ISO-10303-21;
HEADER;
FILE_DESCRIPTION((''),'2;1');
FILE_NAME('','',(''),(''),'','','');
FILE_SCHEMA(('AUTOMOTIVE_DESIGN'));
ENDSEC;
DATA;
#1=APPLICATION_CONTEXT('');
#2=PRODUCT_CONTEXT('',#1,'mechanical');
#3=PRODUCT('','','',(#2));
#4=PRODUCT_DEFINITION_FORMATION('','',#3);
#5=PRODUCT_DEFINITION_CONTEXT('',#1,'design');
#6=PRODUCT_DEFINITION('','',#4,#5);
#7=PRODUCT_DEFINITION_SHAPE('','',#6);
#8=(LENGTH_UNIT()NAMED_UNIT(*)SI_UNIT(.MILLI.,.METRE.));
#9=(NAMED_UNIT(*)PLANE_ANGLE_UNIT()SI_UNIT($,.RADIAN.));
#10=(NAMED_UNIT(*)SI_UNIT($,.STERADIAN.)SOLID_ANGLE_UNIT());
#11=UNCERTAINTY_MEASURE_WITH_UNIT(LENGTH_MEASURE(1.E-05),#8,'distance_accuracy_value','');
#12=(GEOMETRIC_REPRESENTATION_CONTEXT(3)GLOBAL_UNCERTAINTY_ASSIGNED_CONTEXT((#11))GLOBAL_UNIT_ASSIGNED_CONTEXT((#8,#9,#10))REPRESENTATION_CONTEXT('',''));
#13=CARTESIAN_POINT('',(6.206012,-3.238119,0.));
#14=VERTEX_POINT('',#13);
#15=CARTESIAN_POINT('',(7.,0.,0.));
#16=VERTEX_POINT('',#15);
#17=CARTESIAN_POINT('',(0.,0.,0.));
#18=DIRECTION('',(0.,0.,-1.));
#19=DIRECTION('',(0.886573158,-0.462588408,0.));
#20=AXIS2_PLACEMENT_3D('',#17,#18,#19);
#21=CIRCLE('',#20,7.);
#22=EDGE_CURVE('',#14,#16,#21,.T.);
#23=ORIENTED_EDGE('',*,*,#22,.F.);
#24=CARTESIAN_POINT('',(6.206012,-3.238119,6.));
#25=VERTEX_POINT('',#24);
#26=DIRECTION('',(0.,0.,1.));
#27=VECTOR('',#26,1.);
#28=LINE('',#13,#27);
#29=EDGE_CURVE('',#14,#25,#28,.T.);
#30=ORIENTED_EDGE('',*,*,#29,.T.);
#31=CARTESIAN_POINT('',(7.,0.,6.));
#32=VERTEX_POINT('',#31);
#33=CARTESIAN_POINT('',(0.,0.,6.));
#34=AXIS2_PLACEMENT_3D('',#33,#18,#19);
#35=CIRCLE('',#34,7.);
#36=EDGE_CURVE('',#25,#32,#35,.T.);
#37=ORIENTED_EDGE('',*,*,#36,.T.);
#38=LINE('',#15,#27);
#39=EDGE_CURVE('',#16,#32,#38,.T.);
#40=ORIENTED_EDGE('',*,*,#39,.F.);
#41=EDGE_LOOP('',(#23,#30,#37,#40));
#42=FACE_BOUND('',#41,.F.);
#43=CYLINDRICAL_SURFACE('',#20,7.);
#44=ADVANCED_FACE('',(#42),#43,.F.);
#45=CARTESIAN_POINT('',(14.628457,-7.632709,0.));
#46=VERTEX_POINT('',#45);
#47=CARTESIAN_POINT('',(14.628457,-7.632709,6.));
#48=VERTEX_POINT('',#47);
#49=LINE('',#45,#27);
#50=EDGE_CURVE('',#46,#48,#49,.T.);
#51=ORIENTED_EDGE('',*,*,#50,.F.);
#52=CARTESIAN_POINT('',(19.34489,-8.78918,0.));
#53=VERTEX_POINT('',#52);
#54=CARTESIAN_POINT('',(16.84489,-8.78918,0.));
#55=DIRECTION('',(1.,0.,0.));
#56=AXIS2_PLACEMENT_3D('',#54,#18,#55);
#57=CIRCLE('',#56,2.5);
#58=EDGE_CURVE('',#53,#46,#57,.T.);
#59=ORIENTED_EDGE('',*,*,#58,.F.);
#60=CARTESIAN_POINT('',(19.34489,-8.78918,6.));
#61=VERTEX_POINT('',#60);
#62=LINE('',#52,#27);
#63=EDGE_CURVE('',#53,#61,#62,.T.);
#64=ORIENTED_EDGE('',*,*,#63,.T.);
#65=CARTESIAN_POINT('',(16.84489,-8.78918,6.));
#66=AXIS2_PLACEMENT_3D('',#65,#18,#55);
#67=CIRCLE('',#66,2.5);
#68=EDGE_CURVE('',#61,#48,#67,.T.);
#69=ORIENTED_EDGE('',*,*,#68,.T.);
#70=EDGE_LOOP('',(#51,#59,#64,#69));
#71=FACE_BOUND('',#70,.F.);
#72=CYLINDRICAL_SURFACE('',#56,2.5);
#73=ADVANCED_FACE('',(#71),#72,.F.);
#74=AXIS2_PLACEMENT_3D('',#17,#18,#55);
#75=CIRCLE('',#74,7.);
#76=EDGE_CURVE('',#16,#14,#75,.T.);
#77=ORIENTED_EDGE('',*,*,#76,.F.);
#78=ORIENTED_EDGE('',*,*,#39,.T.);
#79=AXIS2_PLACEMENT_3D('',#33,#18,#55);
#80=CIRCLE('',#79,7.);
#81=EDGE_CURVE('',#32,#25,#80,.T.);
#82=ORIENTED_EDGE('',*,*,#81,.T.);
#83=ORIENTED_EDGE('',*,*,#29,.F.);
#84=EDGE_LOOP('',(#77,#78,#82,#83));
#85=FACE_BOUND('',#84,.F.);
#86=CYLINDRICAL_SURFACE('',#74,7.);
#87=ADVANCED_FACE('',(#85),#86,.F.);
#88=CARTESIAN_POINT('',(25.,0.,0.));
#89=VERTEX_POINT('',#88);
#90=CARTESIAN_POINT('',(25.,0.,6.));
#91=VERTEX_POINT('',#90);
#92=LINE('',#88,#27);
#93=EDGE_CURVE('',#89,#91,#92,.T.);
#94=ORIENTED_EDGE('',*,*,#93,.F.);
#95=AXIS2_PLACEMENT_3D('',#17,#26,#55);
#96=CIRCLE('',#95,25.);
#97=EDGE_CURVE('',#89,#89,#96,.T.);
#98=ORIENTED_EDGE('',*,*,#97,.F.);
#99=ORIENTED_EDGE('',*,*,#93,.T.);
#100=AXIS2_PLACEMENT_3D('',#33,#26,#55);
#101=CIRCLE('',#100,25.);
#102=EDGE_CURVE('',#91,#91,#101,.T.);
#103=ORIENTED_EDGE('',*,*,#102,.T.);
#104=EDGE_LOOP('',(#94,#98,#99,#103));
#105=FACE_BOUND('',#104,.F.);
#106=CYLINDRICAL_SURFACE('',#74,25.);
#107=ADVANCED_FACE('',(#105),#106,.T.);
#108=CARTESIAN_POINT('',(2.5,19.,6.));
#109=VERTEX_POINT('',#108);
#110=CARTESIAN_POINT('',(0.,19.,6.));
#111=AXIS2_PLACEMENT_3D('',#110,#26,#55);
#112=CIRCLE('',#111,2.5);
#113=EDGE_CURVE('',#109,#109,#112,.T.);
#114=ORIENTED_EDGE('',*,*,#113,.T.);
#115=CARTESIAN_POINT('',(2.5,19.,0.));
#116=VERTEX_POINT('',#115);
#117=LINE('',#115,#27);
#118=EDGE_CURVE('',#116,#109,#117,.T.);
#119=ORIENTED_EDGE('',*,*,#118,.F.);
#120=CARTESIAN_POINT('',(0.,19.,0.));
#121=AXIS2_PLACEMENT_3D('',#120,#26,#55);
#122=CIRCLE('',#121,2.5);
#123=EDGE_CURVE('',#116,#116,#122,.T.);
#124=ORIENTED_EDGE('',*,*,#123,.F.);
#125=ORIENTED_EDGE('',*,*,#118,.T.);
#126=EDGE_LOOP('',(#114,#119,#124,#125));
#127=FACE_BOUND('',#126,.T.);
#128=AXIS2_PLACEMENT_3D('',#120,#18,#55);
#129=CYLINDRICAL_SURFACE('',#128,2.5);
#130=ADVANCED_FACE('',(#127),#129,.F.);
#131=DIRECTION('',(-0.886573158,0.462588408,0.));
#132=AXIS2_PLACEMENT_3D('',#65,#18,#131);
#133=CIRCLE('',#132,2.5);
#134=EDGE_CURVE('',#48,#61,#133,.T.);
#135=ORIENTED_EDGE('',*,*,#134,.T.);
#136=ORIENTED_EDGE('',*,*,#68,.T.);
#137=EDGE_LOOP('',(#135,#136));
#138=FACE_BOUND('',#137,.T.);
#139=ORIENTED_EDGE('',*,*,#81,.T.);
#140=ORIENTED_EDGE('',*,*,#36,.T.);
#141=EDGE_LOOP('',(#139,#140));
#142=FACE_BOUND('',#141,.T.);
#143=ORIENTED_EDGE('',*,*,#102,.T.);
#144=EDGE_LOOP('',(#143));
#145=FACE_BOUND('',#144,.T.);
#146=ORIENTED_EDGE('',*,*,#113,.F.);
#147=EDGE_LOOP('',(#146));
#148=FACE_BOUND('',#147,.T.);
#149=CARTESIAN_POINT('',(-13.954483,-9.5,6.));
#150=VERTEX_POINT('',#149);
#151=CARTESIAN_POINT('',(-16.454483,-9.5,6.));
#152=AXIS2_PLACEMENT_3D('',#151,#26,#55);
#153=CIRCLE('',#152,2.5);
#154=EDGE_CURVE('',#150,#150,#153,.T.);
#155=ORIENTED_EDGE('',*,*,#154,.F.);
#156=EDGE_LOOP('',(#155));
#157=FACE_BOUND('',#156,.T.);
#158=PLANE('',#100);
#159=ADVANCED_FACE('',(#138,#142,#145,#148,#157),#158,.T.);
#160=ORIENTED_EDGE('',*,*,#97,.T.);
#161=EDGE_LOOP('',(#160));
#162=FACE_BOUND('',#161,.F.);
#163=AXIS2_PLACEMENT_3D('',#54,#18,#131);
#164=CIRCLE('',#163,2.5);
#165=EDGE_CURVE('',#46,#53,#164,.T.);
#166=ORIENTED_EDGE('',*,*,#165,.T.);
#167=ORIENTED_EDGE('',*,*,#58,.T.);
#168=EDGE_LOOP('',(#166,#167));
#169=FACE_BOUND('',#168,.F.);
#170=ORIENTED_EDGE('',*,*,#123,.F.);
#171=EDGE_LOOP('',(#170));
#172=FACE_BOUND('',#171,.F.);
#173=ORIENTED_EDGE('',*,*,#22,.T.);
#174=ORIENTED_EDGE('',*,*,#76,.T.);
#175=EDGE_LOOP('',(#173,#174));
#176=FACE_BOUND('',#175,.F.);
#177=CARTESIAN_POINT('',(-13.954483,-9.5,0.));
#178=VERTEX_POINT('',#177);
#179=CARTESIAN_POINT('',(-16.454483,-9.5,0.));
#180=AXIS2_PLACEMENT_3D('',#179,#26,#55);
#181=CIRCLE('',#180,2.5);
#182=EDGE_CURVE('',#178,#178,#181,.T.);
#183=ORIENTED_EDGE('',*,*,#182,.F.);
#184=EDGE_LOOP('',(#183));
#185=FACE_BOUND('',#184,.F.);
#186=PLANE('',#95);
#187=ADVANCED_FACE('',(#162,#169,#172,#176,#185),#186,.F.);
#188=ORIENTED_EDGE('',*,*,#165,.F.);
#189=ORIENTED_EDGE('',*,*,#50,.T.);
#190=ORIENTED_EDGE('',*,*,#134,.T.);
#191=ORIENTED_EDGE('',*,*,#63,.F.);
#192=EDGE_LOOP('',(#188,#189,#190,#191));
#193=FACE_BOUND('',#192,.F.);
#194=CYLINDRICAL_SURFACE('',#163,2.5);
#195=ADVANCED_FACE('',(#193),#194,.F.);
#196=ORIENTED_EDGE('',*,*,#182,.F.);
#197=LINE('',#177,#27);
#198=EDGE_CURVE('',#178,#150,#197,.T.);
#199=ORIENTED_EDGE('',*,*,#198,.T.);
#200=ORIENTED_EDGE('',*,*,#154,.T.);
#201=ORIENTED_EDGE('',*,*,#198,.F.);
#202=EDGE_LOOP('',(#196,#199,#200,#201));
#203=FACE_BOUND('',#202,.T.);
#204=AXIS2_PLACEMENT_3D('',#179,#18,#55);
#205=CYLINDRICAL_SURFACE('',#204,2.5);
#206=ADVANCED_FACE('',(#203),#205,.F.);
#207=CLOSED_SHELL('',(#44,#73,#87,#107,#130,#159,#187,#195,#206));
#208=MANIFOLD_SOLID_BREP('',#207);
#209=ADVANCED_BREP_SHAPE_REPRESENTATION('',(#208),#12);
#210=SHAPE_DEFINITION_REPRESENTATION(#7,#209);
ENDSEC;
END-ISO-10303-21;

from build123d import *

# Parameters (mm, degrees)
F0_R     = 25
F0_R_2   = 2.5
F1_DEPTH = 6


with BuildPart() as f1:
    # F0 (on Top) → F1 (new body)
    with BuildSketch(Plane.XY):
        Circle(F0_R)
        with Locations((-16.4544826719, -9.5)):
            Circle(F0_R_2, mode=Mode.SUBTRACT)
        with BuildLine():
            ThreePointArc((19.3448900075, -8.7891797476), (16.2495255138, -11.2172532884), (14.6284571118, -7.6327087282))
            ThreePointArc((14.6284571118, -7.6327087282), (17.4402545012, -6.3611062068), (19.3448900075, -8.7891797476))
        make_face(mode=Mode.SUBTRACT)
        with BuildLine():
            ThreePointArc((6.206012108, -3.2381188544), (-6.7986059143, 1.6670205823), (7, 0))
            ThreePointArc((7, 0), (6.7986059143, -1.6670205823), (6.206012108, -3.2381188544))
        make_face(mode=Mode.SUBTRACT)
        with Locations((0, 19)):
            Circle(F0_R_2, mode=Mode.SUBTRACT)
    extrude(amount=F1_DEPTH)


solid = f1.part
